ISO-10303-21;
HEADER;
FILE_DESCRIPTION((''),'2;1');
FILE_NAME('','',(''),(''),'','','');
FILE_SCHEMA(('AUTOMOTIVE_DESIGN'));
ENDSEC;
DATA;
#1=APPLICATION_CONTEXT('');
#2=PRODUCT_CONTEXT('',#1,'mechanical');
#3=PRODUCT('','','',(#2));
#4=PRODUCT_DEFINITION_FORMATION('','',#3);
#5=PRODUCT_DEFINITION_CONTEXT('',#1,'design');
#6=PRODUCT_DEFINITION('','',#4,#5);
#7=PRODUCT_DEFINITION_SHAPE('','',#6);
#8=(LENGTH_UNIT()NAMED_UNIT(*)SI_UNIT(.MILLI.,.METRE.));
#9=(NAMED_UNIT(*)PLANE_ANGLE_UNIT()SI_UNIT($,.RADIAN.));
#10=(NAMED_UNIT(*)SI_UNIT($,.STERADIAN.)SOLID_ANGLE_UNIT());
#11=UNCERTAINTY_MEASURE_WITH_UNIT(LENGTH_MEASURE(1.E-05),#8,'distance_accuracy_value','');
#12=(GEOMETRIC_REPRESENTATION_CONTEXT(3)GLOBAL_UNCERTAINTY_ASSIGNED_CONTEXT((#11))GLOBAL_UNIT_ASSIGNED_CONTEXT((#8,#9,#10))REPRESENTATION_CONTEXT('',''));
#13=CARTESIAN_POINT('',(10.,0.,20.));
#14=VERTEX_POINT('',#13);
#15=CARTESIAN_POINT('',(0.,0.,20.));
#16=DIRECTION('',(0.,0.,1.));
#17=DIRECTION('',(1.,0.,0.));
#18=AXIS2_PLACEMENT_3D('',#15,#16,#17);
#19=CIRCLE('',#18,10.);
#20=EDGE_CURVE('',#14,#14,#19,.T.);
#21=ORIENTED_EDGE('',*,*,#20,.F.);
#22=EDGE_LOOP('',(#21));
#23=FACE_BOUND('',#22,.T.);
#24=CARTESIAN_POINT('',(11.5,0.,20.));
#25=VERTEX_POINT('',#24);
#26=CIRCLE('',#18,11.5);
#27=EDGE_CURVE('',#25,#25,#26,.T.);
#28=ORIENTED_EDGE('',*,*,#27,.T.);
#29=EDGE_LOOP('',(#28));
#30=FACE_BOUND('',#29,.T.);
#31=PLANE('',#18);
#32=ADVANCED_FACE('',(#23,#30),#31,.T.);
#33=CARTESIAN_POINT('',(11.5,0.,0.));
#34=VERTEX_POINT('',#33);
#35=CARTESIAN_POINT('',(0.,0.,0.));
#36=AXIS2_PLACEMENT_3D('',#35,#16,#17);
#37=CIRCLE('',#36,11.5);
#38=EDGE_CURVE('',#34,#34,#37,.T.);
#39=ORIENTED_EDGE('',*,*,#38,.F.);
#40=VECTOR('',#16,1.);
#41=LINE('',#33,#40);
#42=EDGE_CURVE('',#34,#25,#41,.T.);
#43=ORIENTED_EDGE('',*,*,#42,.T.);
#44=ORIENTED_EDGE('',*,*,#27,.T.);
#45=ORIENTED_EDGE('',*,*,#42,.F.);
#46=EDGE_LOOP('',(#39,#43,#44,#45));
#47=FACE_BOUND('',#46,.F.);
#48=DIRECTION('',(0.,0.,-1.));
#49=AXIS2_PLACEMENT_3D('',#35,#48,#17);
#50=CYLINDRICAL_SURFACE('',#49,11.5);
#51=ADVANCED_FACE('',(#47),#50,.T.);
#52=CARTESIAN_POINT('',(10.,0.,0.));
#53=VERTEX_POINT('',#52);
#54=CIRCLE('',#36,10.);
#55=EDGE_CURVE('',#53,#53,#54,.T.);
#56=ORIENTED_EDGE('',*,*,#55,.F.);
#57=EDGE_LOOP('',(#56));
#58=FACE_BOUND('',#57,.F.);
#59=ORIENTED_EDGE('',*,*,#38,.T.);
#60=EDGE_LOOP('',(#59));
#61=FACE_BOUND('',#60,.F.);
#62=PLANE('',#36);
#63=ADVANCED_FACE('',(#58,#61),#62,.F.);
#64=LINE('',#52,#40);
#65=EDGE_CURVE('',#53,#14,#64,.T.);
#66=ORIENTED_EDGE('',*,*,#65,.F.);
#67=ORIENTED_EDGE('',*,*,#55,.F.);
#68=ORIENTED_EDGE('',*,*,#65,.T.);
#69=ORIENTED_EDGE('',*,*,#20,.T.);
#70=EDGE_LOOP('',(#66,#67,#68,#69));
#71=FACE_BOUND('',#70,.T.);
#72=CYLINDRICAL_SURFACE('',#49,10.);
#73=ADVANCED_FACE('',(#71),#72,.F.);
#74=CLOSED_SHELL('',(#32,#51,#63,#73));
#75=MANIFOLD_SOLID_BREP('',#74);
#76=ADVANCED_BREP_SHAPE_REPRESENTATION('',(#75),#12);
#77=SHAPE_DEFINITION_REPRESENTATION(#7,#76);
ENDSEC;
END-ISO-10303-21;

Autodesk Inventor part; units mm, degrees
ref_plane "YZ Plane" through (0, 0, 0) normal (1, 0, 0) x (0, 1, 0)
ref_plane "XZ Plane" through (0, 0, 0) normal (0, 1, 0) x (-1, 0, 0)
ref_plane "XY Plane" through (0, 0, 0) normal (0, 0, 1) x (1, 0, 0)
sketch "スケッチ1" plane through (0, 0, 0) normal (0, 0, 1) x (1, 0, 0)
  circle A0 centre (0, 0) radius 10
  circle A1 centre (0, 0) radius 11.5
  dimension "d1" = 20
  dimension "d2" = 23
extrude "押し出し1" add sketch "スケッチ1" along normal blind 20
properties part number "オイレス　内径20" material "アセタール樹脂、黒"
